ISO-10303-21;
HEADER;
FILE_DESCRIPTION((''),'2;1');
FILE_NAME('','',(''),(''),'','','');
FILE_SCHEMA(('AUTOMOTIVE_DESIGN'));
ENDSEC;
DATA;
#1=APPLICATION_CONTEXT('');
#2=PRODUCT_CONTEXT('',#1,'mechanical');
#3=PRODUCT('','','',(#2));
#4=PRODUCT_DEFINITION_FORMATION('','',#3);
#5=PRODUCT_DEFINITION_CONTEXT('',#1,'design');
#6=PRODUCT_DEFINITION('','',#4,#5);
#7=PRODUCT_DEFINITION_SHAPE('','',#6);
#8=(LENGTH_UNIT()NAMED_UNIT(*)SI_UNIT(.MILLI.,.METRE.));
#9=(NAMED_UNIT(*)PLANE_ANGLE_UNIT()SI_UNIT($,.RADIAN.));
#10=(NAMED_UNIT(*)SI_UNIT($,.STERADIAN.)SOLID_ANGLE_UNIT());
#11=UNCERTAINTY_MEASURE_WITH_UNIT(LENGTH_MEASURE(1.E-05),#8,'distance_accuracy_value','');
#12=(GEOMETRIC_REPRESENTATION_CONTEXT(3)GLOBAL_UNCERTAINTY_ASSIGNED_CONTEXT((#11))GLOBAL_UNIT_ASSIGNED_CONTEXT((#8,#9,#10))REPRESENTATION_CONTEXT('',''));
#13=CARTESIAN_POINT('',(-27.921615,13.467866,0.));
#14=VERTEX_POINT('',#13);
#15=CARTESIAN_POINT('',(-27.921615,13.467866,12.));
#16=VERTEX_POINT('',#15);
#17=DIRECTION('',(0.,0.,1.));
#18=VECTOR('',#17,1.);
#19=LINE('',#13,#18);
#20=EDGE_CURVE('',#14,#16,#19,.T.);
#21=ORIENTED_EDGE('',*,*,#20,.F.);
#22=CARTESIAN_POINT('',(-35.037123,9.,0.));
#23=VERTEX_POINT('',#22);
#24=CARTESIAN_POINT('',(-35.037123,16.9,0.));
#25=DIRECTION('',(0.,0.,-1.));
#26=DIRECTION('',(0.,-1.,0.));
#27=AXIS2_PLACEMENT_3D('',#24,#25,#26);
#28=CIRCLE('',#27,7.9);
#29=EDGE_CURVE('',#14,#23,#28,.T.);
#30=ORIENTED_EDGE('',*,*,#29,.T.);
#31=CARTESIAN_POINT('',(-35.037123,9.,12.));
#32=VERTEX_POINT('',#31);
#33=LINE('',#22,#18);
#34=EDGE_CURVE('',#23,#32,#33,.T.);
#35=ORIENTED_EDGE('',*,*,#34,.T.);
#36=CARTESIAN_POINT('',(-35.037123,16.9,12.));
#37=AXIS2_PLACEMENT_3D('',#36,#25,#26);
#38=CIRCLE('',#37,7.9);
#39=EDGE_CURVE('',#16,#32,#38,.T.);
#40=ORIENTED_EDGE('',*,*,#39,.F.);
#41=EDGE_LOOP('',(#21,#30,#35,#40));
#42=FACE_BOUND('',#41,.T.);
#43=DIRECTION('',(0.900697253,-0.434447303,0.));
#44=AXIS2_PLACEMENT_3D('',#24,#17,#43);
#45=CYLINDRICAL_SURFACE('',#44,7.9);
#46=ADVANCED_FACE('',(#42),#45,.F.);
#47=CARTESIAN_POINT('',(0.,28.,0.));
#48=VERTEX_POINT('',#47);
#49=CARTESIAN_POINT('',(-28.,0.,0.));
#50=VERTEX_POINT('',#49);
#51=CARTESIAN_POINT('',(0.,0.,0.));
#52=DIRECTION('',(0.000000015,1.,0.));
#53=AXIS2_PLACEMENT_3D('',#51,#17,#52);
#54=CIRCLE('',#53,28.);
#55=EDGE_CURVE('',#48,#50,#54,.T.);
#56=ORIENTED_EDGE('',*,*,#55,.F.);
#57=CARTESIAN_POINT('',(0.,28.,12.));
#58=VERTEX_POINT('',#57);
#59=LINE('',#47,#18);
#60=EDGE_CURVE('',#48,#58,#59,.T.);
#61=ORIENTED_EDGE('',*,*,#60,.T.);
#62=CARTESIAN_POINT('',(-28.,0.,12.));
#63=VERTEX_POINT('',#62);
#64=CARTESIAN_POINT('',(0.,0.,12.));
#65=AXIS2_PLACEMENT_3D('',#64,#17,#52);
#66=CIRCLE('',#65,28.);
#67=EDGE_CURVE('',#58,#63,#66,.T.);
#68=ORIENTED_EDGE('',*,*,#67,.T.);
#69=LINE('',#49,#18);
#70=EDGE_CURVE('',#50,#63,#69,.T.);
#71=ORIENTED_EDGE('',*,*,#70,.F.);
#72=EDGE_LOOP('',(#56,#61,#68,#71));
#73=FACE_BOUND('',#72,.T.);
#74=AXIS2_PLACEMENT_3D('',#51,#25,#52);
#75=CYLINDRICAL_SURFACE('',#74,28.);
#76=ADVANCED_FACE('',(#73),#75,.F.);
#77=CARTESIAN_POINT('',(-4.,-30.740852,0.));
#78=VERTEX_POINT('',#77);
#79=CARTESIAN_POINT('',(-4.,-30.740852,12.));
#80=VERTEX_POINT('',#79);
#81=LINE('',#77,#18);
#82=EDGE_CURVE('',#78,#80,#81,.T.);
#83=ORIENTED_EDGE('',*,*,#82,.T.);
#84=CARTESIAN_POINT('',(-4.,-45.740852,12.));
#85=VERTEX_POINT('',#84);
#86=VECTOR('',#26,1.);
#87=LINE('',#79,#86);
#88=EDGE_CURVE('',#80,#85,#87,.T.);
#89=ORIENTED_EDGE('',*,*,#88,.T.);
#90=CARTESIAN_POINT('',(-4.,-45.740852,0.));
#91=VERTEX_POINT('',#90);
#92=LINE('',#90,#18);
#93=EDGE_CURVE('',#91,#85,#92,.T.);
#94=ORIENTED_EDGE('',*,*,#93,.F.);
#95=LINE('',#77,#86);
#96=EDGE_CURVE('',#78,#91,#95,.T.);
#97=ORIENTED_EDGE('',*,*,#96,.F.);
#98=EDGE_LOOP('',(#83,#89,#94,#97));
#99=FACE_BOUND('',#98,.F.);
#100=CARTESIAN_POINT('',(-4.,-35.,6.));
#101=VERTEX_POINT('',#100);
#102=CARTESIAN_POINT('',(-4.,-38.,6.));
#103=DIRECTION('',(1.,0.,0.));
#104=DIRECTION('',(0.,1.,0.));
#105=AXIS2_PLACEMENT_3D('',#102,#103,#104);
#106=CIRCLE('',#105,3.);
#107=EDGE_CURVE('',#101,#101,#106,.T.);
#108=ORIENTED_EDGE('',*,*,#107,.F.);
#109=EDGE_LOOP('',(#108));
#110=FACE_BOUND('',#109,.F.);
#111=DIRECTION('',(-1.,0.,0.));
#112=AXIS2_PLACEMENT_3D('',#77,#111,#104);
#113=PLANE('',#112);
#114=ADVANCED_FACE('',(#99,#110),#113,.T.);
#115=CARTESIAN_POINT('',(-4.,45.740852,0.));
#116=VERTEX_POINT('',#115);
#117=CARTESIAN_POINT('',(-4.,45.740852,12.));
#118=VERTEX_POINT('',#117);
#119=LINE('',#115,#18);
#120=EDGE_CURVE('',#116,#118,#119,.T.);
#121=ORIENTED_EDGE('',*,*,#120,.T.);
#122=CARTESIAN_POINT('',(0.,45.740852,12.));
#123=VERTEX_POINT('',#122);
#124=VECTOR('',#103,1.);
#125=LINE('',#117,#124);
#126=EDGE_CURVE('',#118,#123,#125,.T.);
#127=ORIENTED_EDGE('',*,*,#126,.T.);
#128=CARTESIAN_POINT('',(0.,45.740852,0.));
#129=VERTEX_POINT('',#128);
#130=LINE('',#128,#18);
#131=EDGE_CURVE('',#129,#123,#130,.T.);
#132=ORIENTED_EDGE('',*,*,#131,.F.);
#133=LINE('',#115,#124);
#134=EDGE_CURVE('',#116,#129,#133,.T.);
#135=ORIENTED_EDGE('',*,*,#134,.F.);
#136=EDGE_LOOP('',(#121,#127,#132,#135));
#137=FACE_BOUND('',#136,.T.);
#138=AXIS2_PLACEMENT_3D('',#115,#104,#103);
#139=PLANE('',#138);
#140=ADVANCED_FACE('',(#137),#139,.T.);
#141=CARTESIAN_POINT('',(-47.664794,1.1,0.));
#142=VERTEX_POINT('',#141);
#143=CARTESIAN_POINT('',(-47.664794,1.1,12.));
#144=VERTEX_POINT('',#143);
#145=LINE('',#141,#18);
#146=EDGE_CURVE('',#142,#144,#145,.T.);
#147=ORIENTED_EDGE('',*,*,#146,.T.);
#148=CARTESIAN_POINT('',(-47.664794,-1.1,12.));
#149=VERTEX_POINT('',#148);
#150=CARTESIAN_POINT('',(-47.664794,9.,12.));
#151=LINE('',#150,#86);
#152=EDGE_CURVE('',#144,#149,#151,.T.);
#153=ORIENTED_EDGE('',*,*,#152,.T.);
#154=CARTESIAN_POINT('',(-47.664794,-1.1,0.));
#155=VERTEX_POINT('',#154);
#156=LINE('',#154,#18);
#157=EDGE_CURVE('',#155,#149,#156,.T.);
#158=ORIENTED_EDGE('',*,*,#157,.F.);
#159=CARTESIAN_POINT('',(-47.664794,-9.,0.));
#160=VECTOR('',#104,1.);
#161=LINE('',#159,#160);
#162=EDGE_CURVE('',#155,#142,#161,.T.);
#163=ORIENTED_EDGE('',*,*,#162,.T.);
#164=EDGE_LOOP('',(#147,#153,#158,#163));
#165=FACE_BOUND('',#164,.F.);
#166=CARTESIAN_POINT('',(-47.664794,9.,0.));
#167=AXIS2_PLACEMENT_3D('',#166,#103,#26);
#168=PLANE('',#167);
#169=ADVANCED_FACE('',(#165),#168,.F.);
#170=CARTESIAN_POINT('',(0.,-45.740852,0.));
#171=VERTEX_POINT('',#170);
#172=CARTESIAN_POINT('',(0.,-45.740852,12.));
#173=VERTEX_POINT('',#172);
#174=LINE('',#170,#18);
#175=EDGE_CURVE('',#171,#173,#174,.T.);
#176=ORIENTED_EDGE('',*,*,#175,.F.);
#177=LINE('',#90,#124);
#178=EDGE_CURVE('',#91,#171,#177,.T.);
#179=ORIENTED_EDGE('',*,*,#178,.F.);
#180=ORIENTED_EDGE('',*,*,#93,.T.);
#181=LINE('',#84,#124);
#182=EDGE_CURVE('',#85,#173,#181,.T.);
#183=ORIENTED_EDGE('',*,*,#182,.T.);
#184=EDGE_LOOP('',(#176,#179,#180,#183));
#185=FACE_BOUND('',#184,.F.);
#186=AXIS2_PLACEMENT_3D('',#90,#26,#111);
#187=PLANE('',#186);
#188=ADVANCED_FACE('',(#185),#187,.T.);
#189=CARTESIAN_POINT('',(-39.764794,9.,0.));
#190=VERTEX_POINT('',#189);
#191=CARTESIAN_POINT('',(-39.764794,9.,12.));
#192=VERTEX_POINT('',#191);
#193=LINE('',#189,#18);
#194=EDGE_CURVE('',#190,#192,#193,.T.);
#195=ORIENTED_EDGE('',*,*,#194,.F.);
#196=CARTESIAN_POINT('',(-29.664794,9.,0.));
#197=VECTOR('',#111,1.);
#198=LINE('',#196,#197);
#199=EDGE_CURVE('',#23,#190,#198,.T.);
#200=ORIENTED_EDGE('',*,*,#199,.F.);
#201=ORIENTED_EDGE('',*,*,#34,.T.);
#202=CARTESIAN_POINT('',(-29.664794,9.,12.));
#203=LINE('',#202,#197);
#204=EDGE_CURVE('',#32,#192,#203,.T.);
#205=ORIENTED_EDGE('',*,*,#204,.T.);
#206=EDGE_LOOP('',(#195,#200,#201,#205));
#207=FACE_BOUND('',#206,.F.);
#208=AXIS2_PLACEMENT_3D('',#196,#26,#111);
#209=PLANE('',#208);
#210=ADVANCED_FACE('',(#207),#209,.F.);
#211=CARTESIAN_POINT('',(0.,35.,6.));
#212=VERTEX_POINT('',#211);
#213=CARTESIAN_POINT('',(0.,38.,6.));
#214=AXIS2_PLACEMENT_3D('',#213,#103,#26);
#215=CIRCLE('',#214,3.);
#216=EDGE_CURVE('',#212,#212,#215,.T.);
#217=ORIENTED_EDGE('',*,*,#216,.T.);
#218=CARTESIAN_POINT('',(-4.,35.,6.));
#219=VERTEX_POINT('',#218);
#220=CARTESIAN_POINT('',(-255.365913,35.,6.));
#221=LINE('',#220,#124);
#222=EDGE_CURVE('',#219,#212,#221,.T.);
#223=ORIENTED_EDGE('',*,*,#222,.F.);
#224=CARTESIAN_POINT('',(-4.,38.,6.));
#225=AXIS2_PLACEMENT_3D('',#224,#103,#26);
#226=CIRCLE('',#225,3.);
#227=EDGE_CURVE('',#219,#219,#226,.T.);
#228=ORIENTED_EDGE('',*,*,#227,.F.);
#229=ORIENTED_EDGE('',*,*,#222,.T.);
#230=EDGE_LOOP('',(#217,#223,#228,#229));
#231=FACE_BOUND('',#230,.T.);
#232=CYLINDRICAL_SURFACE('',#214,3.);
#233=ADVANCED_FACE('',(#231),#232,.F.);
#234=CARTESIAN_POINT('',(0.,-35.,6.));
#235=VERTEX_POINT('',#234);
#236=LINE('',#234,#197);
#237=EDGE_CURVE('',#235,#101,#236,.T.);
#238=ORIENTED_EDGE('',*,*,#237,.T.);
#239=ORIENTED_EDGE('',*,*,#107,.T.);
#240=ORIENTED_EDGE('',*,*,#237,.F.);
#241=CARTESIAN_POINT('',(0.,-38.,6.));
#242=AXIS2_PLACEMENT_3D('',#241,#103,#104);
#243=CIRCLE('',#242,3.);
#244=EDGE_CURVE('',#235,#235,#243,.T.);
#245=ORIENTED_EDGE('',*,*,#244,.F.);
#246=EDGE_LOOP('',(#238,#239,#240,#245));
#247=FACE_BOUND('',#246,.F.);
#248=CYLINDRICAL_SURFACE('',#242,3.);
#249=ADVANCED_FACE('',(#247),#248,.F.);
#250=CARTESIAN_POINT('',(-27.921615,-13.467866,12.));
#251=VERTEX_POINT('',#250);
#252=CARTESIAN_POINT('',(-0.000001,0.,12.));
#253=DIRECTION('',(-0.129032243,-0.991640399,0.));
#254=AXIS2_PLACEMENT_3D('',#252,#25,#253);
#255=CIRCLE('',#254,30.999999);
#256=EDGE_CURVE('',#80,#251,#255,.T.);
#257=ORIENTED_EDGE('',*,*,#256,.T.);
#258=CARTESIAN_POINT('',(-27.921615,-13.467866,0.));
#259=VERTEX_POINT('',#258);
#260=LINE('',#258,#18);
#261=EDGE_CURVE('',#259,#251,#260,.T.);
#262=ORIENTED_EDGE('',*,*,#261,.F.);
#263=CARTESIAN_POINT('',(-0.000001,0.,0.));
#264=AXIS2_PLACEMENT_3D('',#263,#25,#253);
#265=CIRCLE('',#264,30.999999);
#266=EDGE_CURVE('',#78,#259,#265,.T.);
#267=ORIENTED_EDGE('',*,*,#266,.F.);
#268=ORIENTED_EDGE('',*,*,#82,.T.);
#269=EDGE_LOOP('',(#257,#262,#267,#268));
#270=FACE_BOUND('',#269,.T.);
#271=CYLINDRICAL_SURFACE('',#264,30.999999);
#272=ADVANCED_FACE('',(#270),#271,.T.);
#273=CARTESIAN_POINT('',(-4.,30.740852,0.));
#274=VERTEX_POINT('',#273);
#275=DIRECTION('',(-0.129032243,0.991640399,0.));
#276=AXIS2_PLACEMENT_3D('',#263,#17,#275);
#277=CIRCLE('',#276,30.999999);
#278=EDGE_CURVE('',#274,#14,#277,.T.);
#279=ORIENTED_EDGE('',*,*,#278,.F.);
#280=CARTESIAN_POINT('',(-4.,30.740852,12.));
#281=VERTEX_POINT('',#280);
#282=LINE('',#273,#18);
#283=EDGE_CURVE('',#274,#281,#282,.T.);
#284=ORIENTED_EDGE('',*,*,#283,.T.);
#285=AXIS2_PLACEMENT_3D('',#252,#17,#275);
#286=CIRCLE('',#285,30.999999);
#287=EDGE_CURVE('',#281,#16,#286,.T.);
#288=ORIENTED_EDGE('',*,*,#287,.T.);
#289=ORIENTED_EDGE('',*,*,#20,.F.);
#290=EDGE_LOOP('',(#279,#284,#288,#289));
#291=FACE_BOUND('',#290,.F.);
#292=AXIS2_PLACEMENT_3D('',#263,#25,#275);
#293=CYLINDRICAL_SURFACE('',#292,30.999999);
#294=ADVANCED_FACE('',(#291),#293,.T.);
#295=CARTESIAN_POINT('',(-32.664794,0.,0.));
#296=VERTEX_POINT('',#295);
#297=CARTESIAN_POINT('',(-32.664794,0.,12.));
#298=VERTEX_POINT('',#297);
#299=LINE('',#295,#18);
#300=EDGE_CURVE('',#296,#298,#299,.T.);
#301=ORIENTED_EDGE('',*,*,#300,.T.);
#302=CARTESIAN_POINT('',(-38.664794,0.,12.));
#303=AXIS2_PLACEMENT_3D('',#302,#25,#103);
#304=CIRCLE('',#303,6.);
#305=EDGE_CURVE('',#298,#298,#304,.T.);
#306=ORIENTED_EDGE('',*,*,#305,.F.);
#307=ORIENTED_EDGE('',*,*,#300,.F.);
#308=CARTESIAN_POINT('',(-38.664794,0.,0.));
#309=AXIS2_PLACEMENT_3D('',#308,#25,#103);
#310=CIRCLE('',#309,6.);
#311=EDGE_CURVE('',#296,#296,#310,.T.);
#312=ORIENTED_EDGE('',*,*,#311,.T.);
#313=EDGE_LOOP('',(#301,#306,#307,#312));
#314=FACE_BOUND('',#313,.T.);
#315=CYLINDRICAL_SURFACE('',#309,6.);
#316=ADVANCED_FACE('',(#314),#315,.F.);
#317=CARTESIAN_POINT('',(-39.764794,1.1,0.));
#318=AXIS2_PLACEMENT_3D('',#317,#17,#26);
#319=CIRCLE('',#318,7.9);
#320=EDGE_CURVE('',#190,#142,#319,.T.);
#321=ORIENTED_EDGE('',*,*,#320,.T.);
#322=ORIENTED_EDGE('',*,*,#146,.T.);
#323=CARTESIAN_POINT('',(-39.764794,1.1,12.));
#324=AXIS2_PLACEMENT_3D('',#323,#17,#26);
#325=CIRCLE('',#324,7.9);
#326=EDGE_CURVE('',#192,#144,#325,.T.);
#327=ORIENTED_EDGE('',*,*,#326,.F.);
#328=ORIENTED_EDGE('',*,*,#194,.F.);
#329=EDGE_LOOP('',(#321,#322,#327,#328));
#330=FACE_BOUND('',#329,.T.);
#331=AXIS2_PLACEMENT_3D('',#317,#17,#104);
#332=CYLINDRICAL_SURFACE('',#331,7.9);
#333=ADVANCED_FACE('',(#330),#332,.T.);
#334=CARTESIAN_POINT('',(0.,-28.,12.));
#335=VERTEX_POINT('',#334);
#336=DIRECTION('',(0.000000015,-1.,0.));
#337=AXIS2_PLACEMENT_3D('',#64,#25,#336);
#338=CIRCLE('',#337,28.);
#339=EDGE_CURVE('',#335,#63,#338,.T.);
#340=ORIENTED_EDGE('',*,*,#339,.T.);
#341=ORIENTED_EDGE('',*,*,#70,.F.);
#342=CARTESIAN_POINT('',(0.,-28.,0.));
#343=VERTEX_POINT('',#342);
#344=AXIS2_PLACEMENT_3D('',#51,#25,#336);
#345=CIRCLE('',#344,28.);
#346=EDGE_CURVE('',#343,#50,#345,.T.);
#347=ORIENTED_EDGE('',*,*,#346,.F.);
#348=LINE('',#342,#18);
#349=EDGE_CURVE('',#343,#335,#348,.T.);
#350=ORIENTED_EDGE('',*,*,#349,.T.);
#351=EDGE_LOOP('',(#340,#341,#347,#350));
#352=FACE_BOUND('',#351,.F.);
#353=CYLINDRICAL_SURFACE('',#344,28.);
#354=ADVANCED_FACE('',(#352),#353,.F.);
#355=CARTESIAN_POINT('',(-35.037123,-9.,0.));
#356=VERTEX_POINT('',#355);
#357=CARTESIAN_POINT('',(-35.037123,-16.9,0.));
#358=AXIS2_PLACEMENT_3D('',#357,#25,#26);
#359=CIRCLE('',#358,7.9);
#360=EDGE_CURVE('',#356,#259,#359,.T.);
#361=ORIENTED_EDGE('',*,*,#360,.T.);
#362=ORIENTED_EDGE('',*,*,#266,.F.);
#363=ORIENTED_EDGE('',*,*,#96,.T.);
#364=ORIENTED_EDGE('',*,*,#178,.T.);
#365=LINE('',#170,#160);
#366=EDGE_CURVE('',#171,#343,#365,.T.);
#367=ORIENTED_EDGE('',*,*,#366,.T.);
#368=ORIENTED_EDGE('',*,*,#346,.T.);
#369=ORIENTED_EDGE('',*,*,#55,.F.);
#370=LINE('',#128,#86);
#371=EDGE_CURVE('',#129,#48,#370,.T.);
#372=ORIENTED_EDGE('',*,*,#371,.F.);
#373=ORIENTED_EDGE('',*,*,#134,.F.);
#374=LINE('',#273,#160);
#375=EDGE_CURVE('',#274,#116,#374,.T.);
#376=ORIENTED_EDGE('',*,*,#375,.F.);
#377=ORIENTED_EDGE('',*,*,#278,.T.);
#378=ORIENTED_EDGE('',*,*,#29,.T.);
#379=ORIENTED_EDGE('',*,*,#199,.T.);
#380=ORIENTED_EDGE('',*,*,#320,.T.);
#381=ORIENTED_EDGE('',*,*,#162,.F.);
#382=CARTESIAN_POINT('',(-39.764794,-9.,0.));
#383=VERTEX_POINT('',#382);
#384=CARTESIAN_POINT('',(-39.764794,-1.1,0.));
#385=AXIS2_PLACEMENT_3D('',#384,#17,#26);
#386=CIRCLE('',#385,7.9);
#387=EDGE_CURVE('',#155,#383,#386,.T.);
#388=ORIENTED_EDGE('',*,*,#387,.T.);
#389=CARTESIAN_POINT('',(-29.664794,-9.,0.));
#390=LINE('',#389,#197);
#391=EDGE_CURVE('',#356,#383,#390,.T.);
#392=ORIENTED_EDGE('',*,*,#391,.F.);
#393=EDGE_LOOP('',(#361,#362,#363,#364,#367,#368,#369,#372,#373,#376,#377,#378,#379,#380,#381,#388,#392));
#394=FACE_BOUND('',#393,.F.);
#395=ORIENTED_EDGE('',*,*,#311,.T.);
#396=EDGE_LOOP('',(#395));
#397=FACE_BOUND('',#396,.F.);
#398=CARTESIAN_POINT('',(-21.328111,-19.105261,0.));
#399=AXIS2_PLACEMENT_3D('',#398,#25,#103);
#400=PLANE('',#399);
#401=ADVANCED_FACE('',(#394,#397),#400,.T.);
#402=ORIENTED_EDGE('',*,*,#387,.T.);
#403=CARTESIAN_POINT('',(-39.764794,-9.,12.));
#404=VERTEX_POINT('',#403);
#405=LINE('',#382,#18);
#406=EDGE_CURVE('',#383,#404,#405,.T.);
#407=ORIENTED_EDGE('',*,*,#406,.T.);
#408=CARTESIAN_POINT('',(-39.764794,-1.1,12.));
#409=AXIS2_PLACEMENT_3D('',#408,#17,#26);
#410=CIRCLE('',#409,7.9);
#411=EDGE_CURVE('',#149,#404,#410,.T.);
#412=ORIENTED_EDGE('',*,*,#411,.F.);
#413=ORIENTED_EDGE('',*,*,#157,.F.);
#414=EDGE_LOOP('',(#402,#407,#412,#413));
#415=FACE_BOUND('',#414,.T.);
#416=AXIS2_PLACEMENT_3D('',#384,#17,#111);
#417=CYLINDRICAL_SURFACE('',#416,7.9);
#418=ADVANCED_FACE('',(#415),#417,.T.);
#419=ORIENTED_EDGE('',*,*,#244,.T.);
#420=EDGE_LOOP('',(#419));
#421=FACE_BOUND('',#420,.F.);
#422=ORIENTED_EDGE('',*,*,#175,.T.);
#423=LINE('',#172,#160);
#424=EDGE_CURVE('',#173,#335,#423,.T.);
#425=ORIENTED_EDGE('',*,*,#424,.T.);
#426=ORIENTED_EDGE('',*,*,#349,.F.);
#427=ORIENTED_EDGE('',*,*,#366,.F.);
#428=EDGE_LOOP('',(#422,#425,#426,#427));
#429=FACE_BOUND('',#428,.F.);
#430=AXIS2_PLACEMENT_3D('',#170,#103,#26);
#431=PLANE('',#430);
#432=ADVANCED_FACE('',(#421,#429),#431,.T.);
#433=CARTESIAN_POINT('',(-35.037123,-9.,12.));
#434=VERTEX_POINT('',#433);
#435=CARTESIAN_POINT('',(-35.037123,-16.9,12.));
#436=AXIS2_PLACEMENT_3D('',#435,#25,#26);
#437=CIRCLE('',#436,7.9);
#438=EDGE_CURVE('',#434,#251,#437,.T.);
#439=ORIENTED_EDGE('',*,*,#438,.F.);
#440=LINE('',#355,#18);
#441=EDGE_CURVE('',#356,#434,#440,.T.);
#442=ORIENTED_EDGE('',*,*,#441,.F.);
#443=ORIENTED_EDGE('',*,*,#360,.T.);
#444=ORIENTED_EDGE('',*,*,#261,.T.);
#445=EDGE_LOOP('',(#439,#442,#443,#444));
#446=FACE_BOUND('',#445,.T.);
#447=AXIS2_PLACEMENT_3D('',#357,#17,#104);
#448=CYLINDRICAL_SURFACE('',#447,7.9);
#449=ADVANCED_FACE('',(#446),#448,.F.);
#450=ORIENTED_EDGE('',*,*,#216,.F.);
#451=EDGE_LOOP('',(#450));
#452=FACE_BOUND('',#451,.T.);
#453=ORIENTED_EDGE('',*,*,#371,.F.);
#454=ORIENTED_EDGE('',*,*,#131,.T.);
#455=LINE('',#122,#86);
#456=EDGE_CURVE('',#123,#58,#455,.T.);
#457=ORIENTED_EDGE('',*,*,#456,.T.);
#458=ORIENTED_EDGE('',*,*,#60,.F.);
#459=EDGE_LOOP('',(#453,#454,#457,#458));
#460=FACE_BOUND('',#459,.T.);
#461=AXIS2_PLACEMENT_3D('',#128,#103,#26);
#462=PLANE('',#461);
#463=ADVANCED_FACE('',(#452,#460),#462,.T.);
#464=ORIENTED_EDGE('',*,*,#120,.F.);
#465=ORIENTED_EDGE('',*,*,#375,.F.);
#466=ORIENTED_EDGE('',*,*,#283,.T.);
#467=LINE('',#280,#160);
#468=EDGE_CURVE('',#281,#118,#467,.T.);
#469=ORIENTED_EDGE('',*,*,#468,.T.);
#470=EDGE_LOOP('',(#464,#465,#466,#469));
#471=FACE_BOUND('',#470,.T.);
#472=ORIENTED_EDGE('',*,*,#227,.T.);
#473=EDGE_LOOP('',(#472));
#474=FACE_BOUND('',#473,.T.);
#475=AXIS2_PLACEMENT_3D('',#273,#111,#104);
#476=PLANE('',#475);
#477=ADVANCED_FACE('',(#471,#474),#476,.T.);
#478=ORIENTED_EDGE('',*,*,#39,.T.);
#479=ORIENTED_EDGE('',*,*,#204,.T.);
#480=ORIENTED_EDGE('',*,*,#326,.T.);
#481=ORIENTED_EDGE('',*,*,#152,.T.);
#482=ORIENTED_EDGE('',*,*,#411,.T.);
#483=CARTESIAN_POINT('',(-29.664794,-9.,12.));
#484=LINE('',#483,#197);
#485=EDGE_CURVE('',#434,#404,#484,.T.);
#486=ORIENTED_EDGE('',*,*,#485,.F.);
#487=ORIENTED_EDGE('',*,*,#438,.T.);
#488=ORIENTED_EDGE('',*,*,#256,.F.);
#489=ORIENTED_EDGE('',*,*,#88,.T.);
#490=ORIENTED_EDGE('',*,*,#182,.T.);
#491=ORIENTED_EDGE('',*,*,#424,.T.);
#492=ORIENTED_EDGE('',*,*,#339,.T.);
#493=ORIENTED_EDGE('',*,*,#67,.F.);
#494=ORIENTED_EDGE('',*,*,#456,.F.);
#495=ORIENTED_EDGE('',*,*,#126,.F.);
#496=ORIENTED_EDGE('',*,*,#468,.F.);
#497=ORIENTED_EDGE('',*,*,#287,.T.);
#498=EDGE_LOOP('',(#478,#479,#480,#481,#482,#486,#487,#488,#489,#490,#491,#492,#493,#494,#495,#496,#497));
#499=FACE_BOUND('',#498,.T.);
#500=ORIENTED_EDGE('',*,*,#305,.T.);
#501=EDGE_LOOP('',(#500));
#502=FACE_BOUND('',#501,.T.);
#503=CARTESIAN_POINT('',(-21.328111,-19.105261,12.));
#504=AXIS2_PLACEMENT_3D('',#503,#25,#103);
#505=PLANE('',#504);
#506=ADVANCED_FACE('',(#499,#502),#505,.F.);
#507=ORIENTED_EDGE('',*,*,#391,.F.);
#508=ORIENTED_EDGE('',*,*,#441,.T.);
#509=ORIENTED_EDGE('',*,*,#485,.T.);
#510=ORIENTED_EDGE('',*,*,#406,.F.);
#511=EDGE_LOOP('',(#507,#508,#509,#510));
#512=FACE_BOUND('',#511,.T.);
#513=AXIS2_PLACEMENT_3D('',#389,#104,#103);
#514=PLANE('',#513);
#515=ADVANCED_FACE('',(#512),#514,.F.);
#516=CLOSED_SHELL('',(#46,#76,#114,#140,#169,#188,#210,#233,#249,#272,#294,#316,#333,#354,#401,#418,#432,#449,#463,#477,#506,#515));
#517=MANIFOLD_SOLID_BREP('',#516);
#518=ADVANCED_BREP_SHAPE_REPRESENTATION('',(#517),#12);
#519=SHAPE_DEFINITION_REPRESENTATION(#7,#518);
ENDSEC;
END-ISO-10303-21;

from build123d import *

# Parameters (mm, degrees)
PAD_DEPTH         = 12
PAD001_DEPTH      = 12
SKETCH001_R       = 3
POCKET_DEPTH      = 255.365913
POCKET_DEPTH_BACK = 207.701119
FILLET_R          = 7.9


with BuildPart() as part:
    # Sketch → Pad (new body)
    with BuildSketch(Plane.XY):
        with BuildLine():
            ThreePointArc((0, 28), (-19.79899, 19.79899), (-28, 0))
            Line((-32.664794, 0), (-28, 0))
            ThreePointArc((-32.664794, 0), (-38.664794, 6), (-44.664794, 0))
            Line((-47.664794, 0), (-44.664794, 0))
            Line((-47.664794, 9), (-47.664794, 0))
            Line((-29.664794, 9), (-47.664794, 9))
            ThreePointArc((-4, 30.740852), (-20.037359, 23.653842), (-29.664794, 9))
            Line((-4, 30.740852), (-4, 45.740852))
            Line((-4, 45.740852), (0, 45.740852))
            Line((0, 45.740852), (0, 28))
        make_face()
    extrude(amount=PAD_DEPTH)

    # Sketch → Pad001 (join)
    with BuildSketch(Plane.XY):
        with BuildLine():
            ThreePointArc((0, 28), (-19.79899, 19.79899), (-28, 0))
            Line((-32.664794, 0), (-28, 0))
            ThreePointArc((-32.664794, 0), (-38.664794, 6), (-44.664794, 0))
            Line((-47.664794, 0), (-44.664794, 0))
            Line((-47.664794, 9), (-47.664794, 0))
            Line((-29.664794, 9), (-47.664794, 9))
            ThreePointArc((-4, 30.740852), (-20.037359, 23.653842), (-29.664794, 9))
            Line((-4, 30.740852), (-4, 45.740852))
            Line((-4, 45.740852), (0, 45.740852))
            Line((0, 45.740852), (0, 28))
        make_face()
    pad001 = extrude(amount=PAD001_DEPTH)

    # Mirrored001: Pad001 across Sketch H_Axis
    add(pad001.mirror(Plane.ZX))

    # Sketch001 → Pocket (cut, two sides)
    with BuildSketch(Plane.YZ) as pocket_sk:
        with Locations((-38, 6)):
            Circle(SKETCH001_R)
    pocket = extrude(amount=-POCKET_DEPTH, mode=Mode.SUBTRACT) + extrude(pocket_sk.sketch, amount=POCKET_DEPTH_BACK, mode=Mode.SUBTRACT)

    # Mirrored: Pocket across Sketch001 V_Axis
    add(pocket.mirror(Plane(origin=(0, 0, 0), x_dir=(1, 0, 0), z_dir=(0, 1, 0))), mode=Mode.SUBTRACT)

    # Fillet
    fillet_edges = [part.edges().sort_by_distance(p)[0] for p in [
        (-47.664794, 9, 6),
        (-47.664794, -9, 6),
        (-29.664794, -9, 6),
        (-29.664794, 9, 6),
    ]]
    fillet(fillet_edges, radius=FILLET_R)


solid = part.part
